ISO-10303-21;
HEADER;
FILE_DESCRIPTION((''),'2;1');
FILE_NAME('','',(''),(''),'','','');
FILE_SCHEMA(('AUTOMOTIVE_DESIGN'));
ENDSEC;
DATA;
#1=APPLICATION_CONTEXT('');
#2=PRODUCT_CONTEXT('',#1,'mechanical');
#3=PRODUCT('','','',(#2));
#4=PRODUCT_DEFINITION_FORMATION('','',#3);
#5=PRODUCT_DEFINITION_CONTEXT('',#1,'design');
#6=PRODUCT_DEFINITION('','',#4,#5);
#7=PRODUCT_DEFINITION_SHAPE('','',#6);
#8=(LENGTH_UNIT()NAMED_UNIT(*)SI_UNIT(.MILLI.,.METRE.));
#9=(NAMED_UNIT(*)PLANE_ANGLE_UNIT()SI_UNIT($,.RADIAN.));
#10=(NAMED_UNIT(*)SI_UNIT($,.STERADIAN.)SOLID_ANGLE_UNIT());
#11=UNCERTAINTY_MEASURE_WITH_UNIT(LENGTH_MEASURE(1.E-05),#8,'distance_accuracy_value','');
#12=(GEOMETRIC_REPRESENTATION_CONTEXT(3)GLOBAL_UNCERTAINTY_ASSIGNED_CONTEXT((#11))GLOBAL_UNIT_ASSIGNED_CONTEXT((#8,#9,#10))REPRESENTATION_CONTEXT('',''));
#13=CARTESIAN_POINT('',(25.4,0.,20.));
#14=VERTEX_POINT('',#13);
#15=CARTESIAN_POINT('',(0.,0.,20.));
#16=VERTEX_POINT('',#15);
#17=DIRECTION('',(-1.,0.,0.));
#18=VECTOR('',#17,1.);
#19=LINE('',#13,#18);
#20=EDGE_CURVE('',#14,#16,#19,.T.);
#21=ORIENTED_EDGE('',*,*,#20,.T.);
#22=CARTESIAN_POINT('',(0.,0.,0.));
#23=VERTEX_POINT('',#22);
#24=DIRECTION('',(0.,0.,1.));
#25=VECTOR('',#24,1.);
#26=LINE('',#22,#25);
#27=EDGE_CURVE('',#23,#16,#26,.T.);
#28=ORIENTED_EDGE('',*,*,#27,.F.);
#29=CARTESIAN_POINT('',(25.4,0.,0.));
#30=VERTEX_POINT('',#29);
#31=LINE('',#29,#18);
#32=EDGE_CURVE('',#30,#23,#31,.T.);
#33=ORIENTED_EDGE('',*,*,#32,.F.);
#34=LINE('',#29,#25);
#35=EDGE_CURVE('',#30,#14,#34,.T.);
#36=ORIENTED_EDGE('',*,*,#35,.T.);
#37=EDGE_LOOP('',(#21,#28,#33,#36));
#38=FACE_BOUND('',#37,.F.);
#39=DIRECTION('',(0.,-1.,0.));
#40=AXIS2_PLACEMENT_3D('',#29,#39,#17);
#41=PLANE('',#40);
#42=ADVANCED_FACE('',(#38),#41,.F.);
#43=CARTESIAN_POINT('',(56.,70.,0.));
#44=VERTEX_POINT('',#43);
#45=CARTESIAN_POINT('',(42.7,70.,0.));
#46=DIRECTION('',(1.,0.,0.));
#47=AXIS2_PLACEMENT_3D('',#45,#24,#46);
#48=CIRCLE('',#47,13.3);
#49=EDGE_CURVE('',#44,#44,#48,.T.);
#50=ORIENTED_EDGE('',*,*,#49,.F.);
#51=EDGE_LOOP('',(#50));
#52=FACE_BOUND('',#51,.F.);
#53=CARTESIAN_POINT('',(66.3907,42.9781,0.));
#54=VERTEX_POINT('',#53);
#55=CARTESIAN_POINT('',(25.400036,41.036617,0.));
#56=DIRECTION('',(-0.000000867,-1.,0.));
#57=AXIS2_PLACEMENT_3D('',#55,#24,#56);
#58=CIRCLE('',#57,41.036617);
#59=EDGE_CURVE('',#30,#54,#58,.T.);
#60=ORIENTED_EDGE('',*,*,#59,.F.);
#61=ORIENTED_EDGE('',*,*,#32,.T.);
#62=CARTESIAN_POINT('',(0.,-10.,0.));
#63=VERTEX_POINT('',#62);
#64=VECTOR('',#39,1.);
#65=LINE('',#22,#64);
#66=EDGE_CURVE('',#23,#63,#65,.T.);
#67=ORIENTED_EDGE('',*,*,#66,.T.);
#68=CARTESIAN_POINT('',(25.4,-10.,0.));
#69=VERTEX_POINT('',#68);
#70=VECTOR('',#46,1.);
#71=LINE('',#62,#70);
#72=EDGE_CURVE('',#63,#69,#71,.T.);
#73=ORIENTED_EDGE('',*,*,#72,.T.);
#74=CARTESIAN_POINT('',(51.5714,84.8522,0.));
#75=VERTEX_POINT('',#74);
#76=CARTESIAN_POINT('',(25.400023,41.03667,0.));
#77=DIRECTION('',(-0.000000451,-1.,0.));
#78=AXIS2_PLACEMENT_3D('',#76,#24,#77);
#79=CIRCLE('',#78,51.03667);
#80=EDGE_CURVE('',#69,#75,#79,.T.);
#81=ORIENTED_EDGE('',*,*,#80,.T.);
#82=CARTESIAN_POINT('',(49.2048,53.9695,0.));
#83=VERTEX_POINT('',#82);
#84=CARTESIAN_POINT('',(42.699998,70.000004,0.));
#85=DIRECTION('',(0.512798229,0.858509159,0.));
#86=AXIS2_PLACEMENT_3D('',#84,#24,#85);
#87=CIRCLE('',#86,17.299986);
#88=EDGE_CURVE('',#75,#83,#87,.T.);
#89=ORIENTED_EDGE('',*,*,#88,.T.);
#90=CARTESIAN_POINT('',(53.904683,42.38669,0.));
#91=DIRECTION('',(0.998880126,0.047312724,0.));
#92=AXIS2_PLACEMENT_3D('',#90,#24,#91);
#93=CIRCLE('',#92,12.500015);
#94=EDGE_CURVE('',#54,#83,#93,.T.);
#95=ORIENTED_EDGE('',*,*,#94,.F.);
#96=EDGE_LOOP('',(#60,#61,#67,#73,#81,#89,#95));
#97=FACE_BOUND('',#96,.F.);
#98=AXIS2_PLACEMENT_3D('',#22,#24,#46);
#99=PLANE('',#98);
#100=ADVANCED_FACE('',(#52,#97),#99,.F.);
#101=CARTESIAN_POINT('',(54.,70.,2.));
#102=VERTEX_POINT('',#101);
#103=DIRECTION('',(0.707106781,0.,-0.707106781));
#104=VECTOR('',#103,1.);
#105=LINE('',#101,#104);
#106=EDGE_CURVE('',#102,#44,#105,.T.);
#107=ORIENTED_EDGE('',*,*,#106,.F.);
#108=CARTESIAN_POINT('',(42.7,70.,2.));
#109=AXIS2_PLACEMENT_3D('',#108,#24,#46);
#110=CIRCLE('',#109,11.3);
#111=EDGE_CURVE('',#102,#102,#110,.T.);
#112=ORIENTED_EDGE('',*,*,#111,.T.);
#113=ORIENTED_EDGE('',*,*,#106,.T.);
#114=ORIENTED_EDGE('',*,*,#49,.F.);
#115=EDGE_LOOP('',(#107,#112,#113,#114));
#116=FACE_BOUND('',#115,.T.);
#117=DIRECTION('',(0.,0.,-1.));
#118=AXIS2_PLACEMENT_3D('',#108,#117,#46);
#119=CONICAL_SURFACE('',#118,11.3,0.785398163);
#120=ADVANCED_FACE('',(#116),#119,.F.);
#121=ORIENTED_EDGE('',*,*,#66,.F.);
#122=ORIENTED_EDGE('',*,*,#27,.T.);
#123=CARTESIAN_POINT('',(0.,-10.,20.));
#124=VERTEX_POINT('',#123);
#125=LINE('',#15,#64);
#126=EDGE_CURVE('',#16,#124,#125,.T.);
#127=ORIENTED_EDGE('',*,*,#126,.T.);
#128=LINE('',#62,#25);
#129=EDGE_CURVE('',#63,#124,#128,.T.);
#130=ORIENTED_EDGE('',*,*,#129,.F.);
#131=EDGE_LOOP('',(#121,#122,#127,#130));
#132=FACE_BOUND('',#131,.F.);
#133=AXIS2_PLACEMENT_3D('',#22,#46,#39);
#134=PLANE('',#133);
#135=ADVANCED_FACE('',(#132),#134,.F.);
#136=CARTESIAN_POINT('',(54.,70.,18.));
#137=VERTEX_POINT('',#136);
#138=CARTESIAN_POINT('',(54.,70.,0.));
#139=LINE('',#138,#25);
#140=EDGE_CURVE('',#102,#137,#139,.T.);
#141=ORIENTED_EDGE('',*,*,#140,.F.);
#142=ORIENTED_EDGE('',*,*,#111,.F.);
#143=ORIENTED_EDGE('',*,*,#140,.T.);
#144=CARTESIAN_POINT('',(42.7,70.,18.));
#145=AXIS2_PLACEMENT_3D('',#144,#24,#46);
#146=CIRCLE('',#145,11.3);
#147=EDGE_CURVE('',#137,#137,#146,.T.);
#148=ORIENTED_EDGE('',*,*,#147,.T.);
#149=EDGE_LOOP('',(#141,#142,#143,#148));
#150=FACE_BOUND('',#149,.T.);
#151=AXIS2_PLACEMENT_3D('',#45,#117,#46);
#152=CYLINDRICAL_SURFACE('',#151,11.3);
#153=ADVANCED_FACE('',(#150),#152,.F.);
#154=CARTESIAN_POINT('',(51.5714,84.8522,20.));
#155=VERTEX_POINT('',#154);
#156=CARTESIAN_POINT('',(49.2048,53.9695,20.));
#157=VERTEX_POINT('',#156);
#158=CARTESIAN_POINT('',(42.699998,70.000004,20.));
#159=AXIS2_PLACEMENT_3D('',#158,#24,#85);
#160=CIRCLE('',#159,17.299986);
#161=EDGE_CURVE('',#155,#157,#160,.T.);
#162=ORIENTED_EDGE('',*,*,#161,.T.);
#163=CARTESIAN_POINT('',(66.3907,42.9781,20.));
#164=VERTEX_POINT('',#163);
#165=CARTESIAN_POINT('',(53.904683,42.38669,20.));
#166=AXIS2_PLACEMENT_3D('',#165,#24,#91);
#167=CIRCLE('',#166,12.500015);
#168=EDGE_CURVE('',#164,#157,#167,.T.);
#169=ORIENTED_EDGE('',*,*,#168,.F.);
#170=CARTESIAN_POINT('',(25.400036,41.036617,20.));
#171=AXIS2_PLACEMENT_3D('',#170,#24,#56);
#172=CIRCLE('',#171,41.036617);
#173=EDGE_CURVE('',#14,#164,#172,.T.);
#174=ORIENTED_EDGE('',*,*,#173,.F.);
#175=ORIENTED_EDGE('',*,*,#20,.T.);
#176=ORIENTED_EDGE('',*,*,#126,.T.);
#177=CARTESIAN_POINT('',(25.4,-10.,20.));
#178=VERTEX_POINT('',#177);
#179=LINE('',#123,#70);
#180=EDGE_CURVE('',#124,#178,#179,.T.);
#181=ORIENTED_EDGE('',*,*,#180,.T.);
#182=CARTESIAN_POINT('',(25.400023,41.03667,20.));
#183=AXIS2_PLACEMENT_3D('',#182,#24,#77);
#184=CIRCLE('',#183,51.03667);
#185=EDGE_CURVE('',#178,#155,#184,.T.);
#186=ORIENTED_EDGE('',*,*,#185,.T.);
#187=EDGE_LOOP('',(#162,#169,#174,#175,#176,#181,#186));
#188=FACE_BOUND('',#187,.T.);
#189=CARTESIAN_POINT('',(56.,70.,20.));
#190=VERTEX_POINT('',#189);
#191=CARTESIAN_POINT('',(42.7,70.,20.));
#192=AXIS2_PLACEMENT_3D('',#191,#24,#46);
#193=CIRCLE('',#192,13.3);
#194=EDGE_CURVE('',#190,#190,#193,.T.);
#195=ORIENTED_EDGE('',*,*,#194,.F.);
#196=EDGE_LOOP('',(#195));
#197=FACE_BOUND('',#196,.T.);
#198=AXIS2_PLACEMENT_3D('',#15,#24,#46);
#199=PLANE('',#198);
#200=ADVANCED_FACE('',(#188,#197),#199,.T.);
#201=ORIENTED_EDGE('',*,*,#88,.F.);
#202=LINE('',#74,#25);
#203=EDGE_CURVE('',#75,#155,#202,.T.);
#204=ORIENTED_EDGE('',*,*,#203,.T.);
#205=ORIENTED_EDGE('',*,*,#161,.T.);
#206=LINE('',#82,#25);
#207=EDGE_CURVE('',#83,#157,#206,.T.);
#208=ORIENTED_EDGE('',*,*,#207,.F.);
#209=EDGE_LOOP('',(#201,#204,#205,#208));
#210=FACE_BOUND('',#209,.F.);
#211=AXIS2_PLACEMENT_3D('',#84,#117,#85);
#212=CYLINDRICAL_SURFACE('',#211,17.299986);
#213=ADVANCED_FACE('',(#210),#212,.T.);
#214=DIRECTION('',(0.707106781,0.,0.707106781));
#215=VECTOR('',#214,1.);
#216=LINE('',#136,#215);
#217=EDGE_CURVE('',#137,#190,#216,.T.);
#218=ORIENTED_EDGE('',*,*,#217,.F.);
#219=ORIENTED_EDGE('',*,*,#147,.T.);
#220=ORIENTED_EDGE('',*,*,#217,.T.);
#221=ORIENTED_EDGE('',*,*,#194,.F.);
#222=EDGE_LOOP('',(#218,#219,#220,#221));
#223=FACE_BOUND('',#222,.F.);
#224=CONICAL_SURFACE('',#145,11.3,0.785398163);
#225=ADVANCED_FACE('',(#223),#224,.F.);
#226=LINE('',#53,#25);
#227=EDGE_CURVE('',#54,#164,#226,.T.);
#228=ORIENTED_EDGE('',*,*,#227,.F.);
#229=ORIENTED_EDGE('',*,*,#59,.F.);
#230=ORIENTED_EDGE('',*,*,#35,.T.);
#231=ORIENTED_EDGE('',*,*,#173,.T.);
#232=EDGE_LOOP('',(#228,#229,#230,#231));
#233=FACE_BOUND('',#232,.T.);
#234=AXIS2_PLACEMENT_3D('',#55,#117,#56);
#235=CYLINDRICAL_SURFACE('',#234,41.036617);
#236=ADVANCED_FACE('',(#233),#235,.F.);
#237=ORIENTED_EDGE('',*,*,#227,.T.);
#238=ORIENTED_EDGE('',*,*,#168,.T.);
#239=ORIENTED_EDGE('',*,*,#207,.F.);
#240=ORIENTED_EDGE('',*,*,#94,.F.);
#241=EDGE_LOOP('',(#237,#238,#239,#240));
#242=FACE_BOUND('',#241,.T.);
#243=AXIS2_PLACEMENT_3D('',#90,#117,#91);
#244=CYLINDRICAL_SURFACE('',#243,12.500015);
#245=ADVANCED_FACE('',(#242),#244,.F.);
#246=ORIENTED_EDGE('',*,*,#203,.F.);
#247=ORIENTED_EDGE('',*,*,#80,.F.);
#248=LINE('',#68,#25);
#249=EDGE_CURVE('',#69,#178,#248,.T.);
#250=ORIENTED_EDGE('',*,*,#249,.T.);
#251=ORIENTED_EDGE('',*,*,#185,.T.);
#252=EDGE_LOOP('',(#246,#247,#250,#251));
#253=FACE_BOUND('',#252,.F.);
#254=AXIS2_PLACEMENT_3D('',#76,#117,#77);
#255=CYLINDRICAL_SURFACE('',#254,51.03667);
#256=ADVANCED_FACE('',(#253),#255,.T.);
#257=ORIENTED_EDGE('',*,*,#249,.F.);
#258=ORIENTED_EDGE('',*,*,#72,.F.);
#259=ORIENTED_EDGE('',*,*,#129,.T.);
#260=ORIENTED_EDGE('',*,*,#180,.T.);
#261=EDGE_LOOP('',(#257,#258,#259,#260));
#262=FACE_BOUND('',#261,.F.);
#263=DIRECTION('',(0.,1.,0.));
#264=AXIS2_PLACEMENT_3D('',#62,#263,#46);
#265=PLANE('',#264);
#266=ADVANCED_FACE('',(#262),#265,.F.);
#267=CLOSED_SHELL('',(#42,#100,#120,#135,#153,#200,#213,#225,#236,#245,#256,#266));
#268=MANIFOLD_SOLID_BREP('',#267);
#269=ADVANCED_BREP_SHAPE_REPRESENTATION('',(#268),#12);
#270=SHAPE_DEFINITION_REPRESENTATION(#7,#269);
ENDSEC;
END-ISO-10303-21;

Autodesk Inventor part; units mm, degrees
ref_plane "YZ Plane" through (0, 0, 0) normal (1, 0, 0) x (0, 1, 0)
ref_plane "XZ Plane" through (0, 0, 0) normal (0, 1, 0) x (-1, 0, 0)
ref_plane "XY Plane" through (0, 0, 0) normal (0, 0, 1) x (1, 0, 0)
sketch "Sketch1" plane through (0, 0, 0) normal (0, 0, 1) x (1, 0, 0)
  line L0 (0, -10) -> (25.4, -10)
  line L1 (25.4, 0) -> (0, 0)
  line L2 (0, 0) -> (0, -10)
  circle A0 centre (42.7, 70) radius 11.3
  arc A1 (51.5714, 84.8522) -> (49.2048, 53.9695) centre (42.7, 70) ccw
  arc A2 (25.4, -10) -> (51.5714, 84.8522) centre (25.4, 41.0367) ccw
  arc A3 (66.3907, 42.9781) -> (49.2048, 53.9695) centre (53.9047, 42.3867) ccw
  arc A4 (25.4, 0) -> (66.3907, 42.9781) centre (25.4, 41.0367) ccw
  point P0 (0, 0)
  point P1 (12.7, -10)
  point P2 (12.7, 0)
extrude "Extrusion1" add sketch "Sketch1" along normal blind 20
chamfer "Chamfer2" distance 2 angle 45 2 edges at (31.4, 70, 20) (31.4, 70, 0)
properties part number "tablet_arm_joint"
